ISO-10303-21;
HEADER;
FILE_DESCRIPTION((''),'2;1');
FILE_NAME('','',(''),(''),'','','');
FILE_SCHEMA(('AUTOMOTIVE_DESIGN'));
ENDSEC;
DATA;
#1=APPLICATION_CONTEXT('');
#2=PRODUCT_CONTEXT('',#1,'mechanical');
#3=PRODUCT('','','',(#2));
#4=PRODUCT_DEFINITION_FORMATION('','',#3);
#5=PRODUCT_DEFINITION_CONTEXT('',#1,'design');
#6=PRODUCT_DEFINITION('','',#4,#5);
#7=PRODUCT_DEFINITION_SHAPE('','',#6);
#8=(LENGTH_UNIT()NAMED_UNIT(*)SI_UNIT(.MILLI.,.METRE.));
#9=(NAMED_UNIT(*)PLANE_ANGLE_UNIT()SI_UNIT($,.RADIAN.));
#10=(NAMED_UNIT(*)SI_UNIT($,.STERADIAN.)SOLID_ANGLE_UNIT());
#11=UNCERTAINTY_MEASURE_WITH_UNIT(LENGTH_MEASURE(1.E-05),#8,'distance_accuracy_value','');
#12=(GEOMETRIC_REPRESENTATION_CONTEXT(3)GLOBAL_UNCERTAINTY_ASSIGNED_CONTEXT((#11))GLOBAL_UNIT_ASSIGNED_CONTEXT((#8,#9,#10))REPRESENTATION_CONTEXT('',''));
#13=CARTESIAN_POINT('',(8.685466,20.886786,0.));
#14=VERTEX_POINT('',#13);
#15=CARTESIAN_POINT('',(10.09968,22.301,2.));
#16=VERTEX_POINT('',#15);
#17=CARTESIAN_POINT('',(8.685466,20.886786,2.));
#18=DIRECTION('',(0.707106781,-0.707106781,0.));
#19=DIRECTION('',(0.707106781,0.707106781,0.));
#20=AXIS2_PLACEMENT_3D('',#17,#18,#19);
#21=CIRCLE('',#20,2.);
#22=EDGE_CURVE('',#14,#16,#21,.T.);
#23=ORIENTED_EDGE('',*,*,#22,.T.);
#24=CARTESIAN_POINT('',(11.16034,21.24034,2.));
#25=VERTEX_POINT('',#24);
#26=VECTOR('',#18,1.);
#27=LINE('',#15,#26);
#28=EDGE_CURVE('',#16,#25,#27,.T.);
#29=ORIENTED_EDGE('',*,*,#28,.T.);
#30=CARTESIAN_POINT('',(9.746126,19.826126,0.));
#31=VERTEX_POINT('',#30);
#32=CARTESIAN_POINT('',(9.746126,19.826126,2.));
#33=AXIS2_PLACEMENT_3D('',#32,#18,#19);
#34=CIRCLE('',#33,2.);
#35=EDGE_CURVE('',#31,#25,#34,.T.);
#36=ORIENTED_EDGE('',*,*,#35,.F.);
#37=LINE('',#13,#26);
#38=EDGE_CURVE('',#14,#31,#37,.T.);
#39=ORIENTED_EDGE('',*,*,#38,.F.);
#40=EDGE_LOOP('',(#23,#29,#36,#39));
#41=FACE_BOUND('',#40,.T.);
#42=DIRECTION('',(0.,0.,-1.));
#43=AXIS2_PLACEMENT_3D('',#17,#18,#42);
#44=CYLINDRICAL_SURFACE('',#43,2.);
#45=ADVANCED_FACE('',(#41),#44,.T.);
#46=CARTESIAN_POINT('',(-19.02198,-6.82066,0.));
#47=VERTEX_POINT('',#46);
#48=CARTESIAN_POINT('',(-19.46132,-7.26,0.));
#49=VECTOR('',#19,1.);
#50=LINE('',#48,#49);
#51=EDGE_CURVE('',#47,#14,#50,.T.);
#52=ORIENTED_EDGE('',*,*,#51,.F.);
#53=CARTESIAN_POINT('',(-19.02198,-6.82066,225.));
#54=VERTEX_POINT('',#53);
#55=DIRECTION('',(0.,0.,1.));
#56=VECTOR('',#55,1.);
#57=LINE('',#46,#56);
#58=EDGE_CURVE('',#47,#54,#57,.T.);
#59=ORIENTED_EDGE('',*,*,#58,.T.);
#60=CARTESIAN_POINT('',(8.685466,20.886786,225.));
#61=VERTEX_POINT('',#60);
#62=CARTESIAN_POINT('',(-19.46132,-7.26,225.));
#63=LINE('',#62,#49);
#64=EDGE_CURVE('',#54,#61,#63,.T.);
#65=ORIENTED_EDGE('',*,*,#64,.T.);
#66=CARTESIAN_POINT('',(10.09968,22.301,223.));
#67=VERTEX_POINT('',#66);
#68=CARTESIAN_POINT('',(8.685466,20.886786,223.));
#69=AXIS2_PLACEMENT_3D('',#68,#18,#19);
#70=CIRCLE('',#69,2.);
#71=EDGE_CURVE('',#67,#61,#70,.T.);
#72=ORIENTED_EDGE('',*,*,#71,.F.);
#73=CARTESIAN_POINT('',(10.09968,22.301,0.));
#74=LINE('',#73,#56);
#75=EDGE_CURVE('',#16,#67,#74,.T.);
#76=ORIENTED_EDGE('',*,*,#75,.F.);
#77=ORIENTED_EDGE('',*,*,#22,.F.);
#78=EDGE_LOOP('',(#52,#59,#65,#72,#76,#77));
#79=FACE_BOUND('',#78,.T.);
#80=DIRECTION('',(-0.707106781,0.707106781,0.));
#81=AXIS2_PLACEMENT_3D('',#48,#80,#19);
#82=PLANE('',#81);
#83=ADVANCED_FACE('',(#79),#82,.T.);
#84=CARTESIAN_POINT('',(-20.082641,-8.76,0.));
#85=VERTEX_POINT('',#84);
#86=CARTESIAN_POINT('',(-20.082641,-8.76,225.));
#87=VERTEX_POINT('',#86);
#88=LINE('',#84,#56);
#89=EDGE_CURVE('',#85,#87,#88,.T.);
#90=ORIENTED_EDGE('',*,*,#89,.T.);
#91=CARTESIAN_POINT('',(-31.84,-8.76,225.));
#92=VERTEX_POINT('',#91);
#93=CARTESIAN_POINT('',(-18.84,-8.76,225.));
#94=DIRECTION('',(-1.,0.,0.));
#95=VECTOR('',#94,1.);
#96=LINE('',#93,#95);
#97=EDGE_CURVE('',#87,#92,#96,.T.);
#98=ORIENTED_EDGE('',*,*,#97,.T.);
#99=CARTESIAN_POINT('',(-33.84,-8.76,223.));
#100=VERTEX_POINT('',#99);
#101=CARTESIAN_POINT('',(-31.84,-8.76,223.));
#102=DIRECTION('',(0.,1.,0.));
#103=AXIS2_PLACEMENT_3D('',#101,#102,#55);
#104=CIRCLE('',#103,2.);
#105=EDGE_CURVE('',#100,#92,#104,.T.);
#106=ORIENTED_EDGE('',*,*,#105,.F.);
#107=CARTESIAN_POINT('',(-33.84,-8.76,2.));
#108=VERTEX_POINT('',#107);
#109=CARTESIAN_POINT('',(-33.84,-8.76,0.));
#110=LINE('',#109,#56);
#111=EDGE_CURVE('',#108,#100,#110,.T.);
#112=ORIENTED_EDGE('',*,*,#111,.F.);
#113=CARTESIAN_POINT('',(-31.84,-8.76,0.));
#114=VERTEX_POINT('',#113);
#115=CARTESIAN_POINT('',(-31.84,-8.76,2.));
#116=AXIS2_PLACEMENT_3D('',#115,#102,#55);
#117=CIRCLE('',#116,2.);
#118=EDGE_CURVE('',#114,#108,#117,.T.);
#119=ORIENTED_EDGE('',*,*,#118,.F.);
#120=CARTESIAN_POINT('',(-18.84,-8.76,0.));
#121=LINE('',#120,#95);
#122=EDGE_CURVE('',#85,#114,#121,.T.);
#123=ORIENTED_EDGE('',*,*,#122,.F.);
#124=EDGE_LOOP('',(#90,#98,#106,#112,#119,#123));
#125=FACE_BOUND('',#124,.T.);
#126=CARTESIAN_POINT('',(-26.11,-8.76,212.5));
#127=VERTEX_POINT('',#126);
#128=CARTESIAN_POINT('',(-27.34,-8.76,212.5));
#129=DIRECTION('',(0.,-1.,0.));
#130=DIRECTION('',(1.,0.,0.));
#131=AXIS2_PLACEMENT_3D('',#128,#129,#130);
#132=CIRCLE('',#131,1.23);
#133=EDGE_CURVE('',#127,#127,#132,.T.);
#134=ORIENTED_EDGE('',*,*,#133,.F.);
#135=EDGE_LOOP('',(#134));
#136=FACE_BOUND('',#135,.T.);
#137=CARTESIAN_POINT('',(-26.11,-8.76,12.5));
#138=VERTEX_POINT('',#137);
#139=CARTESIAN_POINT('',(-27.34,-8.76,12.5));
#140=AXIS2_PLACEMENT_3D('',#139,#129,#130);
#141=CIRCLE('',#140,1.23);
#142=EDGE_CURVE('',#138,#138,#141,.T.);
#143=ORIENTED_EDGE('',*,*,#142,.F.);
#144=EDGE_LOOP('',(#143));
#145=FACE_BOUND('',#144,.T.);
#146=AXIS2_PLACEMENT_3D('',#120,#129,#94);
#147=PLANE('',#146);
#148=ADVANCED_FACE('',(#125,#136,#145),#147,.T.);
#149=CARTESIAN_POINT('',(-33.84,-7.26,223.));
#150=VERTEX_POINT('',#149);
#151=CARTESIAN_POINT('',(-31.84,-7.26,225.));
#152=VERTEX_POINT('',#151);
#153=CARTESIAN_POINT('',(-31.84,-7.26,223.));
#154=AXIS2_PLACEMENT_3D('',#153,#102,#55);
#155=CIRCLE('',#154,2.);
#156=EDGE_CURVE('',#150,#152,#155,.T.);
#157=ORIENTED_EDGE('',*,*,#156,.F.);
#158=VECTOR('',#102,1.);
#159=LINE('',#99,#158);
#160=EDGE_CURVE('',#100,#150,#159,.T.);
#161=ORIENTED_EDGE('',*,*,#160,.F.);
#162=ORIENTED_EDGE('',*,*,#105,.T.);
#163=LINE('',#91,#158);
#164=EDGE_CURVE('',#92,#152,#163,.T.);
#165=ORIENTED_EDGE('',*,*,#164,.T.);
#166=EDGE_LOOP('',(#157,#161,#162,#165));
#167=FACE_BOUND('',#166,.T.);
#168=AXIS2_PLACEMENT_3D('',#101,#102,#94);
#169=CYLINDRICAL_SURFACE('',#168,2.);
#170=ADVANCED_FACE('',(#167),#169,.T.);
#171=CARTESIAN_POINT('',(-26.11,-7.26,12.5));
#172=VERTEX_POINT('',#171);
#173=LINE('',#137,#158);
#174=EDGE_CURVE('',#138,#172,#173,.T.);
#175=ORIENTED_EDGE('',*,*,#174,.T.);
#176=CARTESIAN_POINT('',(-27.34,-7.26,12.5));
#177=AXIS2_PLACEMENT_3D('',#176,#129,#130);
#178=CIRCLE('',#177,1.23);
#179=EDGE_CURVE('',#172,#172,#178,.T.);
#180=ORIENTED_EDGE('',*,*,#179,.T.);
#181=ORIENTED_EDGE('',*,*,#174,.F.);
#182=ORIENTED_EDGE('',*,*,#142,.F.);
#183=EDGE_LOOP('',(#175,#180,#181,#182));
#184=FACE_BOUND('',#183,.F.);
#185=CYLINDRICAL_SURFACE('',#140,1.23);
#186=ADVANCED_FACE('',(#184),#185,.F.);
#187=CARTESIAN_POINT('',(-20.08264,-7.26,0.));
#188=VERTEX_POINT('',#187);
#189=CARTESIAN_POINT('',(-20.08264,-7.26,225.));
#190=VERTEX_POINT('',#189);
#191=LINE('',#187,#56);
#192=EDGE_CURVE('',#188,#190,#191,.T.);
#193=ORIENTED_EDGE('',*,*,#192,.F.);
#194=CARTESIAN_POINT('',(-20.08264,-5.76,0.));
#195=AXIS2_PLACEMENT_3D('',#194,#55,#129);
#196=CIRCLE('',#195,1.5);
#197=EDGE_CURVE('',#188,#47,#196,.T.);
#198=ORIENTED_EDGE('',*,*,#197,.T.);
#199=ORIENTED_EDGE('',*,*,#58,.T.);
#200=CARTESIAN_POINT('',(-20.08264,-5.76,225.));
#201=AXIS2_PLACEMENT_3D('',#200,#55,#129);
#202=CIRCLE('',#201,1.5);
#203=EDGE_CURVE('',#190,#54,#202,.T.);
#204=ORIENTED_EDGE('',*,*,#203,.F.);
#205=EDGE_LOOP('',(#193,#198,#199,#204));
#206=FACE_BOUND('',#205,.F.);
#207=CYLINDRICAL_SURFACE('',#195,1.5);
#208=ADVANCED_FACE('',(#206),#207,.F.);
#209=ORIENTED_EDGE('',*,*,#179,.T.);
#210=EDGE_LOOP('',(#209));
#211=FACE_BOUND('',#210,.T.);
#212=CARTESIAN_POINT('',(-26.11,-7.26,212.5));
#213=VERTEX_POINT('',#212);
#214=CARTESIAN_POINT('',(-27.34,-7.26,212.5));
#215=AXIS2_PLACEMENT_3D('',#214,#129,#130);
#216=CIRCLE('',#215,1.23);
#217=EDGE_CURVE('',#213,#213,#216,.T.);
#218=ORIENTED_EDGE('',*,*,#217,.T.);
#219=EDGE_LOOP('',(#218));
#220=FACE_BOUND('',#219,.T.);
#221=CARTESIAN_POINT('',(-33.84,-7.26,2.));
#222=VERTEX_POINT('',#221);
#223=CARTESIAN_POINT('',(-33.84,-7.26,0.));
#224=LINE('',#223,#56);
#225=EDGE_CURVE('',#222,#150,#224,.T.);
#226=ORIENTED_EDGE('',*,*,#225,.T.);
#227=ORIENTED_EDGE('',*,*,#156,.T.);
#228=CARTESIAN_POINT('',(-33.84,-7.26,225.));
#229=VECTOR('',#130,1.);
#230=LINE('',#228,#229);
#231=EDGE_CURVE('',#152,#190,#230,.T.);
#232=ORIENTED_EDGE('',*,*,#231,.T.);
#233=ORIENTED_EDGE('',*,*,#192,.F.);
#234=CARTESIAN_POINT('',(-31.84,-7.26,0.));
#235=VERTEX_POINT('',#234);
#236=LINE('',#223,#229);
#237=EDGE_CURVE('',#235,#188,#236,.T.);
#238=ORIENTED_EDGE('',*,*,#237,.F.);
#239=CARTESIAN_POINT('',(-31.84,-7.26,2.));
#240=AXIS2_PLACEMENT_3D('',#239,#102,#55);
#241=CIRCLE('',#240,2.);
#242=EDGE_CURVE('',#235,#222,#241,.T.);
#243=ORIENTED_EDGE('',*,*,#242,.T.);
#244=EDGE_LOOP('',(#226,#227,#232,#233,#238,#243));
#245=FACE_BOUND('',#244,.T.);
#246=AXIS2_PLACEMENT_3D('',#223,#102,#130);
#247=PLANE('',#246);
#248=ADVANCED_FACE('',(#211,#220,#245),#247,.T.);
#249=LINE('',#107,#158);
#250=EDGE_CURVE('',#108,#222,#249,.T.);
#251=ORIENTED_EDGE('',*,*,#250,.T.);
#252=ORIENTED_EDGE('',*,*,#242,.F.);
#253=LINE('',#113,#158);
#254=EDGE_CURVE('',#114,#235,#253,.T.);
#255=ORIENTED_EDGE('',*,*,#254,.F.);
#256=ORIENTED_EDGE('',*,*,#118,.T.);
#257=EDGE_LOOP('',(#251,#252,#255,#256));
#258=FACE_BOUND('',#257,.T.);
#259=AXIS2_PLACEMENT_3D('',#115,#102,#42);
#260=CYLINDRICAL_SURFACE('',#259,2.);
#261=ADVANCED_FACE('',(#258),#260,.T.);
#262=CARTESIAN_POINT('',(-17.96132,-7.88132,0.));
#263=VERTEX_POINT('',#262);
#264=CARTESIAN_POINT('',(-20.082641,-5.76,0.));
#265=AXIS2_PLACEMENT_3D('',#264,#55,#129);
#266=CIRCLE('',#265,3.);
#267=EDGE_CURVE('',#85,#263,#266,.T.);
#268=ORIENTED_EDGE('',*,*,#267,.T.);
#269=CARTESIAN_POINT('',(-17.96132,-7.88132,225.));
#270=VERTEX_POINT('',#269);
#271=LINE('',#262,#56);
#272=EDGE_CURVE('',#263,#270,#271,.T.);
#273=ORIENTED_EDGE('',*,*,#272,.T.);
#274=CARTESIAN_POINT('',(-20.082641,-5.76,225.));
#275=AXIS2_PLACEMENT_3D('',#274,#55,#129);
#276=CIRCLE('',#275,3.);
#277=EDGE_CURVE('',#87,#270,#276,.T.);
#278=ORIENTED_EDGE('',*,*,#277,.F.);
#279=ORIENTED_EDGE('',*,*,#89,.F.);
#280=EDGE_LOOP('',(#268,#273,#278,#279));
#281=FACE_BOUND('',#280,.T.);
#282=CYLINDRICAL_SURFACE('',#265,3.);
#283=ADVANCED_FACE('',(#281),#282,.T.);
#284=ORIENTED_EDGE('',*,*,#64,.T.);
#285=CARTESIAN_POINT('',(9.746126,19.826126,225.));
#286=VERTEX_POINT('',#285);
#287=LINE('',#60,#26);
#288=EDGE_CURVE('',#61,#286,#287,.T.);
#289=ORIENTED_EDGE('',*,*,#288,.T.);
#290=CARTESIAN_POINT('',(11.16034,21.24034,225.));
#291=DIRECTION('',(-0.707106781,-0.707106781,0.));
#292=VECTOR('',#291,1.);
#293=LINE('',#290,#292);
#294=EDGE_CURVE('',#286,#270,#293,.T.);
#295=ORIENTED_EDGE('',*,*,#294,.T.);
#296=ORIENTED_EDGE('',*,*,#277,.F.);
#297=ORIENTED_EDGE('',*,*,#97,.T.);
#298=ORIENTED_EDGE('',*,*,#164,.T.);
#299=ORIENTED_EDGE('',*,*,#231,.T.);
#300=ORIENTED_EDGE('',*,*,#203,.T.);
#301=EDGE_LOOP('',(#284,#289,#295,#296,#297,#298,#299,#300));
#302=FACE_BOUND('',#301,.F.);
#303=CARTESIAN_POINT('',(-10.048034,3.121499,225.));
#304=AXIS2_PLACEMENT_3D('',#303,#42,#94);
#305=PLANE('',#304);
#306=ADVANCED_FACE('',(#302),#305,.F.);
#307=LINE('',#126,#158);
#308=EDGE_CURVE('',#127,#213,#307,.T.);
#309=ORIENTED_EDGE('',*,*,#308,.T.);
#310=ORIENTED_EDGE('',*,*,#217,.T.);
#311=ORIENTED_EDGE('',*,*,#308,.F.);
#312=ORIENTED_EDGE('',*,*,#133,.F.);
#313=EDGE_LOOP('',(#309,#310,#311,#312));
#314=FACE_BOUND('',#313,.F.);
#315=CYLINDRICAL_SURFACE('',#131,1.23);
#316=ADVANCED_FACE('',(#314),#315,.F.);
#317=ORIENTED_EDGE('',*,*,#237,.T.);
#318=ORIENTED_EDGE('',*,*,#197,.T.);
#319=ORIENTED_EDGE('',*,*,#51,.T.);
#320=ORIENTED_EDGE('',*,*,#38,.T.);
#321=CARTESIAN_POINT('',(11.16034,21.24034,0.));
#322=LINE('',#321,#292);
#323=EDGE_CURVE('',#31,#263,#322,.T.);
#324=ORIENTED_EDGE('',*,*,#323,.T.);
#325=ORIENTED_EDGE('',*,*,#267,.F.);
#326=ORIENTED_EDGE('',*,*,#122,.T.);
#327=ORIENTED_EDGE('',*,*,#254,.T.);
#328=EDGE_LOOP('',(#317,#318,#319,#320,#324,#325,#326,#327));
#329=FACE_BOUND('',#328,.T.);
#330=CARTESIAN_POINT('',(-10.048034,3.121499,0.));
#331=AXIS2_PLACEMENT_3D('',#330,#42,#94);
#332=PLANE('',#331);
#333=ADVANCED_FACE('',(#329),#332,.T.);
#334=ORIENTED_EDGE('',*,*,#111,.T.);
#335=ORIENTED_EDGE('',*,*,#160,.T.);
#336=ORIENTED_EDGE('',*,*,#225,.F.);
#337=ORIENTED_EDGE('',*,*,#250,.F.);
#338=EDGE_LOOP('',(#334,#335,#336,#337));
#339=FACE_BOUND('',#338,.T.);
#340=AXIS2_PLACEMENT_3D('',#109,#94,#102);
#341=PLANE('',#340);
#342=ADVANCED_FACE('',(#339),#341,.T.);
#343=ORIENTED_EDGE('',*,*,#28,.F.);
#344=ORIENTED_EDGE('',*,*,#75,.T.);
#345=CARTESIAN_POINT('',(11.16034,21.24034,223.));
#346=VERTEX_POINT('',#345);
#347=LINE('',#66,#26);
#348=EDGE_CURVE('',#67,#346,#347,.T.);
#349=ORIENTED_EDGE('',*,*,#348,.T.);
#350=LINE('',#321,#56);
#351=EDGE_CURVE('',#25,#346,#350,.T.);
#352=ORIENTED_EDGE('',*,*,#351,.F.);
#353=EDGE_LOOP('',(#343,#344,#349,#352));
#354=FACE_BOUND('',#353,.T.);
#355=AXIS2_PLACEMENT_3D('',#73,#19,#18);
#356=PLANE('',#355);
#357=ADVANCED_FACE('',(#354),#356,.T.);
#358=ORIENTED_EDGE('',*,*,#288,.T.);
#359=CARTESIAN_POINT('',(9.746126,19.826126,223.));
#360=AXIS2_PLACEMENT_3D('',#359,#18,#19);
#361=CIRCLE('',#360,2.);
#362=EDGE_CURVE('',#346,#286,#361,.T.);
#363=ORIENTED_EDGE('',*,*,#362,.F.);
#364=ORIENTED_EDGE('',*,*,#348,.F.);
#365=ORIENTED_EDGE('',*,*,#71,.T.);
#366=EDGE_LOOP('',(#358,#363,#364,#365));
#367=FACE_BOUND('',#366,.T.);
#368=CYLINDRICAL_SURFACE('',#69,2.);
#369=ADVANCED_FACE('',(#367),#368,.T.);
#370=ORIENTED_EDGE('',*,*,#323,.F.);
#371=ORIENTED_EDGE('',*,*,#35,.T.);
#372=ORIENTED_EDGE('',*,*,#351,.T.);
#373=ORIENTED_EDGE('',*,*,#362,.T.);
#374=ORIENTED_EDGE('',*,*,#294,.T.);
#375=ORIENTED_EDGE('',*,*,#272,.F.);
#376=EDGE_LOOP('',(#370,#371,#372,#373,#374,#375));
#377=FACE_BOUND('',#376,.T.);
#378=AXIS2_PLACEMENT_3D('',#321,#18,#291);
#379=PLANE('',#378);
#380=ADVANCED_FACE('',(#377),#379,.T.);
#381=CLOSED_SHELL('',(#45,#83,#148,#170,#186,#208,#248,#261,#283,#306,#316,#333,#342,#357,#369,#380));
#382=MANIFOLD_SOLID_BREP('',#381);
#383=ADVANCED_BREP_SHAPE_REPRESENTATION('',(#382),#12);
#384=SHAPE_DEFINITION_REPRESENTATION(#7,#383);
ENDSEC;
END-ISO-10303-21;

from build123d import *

# Parameters (mm, degrees)
PAD_DEPTH    = 225
FILLET_R     = 1.5
FILLET001_R  = 3
FILLET002_R  = 2
SKETCH001_R  = 1.23
POCKET_DEPTH = 5


with BuildPart() as part:
    # Sketch → Pad (new body)
    with BuildSketch(Plane.XY):
        Polygon((-33.84, -7.26), (-19.46132, -7.26), (10.09968, 22.301), (11.16034, 21.24034), (-18.84, -8.76), (-33.84, -8.76), align=None)
    extrude(amount=PAD_DEPTH)

    # Fillet
    fillet_edges = [part.edges().sort_by_distance(p)[0] for p in [
        (-19.46132, -7.26, 112.5),
    ]]
    fillet(fillet_edges, radius=FILLET_R)

    # Fillet001
    fillet001_edges = [part.edges().sort_by_distance(p)[0] for p in [
        (-18.84, -8.76, 112.5),
    ]]
    fillet(fillet001_edges, radius=FILLET001_R)

    # Fillet002
    fillet002_edges = [part.edges().sort_by_distance(p)[0] for p in [
        (10.63001, 21.77067, 225),
        (-33.84, -8.01, 225),
        (-33.84, -8.01, 0),
        (10.63001, 21.77067, 0),
    ]]
    fillet(fillet002_edges, radius=FILLET002_R)

    # Sketch001 → Pocket (cut)
    with BuildSketch(Plane.XZ.offset(8.76)):
        with Locations((-27.34, 12.5)):
            Circle(SKETCH001_R)
        with Locations((-27.34, 212.5)):
            Circle(SKETCH001_R)
    extrude(amount=-POCKET_DEPTH, mode=Mode.SUBTRACT)


solid = part.part
